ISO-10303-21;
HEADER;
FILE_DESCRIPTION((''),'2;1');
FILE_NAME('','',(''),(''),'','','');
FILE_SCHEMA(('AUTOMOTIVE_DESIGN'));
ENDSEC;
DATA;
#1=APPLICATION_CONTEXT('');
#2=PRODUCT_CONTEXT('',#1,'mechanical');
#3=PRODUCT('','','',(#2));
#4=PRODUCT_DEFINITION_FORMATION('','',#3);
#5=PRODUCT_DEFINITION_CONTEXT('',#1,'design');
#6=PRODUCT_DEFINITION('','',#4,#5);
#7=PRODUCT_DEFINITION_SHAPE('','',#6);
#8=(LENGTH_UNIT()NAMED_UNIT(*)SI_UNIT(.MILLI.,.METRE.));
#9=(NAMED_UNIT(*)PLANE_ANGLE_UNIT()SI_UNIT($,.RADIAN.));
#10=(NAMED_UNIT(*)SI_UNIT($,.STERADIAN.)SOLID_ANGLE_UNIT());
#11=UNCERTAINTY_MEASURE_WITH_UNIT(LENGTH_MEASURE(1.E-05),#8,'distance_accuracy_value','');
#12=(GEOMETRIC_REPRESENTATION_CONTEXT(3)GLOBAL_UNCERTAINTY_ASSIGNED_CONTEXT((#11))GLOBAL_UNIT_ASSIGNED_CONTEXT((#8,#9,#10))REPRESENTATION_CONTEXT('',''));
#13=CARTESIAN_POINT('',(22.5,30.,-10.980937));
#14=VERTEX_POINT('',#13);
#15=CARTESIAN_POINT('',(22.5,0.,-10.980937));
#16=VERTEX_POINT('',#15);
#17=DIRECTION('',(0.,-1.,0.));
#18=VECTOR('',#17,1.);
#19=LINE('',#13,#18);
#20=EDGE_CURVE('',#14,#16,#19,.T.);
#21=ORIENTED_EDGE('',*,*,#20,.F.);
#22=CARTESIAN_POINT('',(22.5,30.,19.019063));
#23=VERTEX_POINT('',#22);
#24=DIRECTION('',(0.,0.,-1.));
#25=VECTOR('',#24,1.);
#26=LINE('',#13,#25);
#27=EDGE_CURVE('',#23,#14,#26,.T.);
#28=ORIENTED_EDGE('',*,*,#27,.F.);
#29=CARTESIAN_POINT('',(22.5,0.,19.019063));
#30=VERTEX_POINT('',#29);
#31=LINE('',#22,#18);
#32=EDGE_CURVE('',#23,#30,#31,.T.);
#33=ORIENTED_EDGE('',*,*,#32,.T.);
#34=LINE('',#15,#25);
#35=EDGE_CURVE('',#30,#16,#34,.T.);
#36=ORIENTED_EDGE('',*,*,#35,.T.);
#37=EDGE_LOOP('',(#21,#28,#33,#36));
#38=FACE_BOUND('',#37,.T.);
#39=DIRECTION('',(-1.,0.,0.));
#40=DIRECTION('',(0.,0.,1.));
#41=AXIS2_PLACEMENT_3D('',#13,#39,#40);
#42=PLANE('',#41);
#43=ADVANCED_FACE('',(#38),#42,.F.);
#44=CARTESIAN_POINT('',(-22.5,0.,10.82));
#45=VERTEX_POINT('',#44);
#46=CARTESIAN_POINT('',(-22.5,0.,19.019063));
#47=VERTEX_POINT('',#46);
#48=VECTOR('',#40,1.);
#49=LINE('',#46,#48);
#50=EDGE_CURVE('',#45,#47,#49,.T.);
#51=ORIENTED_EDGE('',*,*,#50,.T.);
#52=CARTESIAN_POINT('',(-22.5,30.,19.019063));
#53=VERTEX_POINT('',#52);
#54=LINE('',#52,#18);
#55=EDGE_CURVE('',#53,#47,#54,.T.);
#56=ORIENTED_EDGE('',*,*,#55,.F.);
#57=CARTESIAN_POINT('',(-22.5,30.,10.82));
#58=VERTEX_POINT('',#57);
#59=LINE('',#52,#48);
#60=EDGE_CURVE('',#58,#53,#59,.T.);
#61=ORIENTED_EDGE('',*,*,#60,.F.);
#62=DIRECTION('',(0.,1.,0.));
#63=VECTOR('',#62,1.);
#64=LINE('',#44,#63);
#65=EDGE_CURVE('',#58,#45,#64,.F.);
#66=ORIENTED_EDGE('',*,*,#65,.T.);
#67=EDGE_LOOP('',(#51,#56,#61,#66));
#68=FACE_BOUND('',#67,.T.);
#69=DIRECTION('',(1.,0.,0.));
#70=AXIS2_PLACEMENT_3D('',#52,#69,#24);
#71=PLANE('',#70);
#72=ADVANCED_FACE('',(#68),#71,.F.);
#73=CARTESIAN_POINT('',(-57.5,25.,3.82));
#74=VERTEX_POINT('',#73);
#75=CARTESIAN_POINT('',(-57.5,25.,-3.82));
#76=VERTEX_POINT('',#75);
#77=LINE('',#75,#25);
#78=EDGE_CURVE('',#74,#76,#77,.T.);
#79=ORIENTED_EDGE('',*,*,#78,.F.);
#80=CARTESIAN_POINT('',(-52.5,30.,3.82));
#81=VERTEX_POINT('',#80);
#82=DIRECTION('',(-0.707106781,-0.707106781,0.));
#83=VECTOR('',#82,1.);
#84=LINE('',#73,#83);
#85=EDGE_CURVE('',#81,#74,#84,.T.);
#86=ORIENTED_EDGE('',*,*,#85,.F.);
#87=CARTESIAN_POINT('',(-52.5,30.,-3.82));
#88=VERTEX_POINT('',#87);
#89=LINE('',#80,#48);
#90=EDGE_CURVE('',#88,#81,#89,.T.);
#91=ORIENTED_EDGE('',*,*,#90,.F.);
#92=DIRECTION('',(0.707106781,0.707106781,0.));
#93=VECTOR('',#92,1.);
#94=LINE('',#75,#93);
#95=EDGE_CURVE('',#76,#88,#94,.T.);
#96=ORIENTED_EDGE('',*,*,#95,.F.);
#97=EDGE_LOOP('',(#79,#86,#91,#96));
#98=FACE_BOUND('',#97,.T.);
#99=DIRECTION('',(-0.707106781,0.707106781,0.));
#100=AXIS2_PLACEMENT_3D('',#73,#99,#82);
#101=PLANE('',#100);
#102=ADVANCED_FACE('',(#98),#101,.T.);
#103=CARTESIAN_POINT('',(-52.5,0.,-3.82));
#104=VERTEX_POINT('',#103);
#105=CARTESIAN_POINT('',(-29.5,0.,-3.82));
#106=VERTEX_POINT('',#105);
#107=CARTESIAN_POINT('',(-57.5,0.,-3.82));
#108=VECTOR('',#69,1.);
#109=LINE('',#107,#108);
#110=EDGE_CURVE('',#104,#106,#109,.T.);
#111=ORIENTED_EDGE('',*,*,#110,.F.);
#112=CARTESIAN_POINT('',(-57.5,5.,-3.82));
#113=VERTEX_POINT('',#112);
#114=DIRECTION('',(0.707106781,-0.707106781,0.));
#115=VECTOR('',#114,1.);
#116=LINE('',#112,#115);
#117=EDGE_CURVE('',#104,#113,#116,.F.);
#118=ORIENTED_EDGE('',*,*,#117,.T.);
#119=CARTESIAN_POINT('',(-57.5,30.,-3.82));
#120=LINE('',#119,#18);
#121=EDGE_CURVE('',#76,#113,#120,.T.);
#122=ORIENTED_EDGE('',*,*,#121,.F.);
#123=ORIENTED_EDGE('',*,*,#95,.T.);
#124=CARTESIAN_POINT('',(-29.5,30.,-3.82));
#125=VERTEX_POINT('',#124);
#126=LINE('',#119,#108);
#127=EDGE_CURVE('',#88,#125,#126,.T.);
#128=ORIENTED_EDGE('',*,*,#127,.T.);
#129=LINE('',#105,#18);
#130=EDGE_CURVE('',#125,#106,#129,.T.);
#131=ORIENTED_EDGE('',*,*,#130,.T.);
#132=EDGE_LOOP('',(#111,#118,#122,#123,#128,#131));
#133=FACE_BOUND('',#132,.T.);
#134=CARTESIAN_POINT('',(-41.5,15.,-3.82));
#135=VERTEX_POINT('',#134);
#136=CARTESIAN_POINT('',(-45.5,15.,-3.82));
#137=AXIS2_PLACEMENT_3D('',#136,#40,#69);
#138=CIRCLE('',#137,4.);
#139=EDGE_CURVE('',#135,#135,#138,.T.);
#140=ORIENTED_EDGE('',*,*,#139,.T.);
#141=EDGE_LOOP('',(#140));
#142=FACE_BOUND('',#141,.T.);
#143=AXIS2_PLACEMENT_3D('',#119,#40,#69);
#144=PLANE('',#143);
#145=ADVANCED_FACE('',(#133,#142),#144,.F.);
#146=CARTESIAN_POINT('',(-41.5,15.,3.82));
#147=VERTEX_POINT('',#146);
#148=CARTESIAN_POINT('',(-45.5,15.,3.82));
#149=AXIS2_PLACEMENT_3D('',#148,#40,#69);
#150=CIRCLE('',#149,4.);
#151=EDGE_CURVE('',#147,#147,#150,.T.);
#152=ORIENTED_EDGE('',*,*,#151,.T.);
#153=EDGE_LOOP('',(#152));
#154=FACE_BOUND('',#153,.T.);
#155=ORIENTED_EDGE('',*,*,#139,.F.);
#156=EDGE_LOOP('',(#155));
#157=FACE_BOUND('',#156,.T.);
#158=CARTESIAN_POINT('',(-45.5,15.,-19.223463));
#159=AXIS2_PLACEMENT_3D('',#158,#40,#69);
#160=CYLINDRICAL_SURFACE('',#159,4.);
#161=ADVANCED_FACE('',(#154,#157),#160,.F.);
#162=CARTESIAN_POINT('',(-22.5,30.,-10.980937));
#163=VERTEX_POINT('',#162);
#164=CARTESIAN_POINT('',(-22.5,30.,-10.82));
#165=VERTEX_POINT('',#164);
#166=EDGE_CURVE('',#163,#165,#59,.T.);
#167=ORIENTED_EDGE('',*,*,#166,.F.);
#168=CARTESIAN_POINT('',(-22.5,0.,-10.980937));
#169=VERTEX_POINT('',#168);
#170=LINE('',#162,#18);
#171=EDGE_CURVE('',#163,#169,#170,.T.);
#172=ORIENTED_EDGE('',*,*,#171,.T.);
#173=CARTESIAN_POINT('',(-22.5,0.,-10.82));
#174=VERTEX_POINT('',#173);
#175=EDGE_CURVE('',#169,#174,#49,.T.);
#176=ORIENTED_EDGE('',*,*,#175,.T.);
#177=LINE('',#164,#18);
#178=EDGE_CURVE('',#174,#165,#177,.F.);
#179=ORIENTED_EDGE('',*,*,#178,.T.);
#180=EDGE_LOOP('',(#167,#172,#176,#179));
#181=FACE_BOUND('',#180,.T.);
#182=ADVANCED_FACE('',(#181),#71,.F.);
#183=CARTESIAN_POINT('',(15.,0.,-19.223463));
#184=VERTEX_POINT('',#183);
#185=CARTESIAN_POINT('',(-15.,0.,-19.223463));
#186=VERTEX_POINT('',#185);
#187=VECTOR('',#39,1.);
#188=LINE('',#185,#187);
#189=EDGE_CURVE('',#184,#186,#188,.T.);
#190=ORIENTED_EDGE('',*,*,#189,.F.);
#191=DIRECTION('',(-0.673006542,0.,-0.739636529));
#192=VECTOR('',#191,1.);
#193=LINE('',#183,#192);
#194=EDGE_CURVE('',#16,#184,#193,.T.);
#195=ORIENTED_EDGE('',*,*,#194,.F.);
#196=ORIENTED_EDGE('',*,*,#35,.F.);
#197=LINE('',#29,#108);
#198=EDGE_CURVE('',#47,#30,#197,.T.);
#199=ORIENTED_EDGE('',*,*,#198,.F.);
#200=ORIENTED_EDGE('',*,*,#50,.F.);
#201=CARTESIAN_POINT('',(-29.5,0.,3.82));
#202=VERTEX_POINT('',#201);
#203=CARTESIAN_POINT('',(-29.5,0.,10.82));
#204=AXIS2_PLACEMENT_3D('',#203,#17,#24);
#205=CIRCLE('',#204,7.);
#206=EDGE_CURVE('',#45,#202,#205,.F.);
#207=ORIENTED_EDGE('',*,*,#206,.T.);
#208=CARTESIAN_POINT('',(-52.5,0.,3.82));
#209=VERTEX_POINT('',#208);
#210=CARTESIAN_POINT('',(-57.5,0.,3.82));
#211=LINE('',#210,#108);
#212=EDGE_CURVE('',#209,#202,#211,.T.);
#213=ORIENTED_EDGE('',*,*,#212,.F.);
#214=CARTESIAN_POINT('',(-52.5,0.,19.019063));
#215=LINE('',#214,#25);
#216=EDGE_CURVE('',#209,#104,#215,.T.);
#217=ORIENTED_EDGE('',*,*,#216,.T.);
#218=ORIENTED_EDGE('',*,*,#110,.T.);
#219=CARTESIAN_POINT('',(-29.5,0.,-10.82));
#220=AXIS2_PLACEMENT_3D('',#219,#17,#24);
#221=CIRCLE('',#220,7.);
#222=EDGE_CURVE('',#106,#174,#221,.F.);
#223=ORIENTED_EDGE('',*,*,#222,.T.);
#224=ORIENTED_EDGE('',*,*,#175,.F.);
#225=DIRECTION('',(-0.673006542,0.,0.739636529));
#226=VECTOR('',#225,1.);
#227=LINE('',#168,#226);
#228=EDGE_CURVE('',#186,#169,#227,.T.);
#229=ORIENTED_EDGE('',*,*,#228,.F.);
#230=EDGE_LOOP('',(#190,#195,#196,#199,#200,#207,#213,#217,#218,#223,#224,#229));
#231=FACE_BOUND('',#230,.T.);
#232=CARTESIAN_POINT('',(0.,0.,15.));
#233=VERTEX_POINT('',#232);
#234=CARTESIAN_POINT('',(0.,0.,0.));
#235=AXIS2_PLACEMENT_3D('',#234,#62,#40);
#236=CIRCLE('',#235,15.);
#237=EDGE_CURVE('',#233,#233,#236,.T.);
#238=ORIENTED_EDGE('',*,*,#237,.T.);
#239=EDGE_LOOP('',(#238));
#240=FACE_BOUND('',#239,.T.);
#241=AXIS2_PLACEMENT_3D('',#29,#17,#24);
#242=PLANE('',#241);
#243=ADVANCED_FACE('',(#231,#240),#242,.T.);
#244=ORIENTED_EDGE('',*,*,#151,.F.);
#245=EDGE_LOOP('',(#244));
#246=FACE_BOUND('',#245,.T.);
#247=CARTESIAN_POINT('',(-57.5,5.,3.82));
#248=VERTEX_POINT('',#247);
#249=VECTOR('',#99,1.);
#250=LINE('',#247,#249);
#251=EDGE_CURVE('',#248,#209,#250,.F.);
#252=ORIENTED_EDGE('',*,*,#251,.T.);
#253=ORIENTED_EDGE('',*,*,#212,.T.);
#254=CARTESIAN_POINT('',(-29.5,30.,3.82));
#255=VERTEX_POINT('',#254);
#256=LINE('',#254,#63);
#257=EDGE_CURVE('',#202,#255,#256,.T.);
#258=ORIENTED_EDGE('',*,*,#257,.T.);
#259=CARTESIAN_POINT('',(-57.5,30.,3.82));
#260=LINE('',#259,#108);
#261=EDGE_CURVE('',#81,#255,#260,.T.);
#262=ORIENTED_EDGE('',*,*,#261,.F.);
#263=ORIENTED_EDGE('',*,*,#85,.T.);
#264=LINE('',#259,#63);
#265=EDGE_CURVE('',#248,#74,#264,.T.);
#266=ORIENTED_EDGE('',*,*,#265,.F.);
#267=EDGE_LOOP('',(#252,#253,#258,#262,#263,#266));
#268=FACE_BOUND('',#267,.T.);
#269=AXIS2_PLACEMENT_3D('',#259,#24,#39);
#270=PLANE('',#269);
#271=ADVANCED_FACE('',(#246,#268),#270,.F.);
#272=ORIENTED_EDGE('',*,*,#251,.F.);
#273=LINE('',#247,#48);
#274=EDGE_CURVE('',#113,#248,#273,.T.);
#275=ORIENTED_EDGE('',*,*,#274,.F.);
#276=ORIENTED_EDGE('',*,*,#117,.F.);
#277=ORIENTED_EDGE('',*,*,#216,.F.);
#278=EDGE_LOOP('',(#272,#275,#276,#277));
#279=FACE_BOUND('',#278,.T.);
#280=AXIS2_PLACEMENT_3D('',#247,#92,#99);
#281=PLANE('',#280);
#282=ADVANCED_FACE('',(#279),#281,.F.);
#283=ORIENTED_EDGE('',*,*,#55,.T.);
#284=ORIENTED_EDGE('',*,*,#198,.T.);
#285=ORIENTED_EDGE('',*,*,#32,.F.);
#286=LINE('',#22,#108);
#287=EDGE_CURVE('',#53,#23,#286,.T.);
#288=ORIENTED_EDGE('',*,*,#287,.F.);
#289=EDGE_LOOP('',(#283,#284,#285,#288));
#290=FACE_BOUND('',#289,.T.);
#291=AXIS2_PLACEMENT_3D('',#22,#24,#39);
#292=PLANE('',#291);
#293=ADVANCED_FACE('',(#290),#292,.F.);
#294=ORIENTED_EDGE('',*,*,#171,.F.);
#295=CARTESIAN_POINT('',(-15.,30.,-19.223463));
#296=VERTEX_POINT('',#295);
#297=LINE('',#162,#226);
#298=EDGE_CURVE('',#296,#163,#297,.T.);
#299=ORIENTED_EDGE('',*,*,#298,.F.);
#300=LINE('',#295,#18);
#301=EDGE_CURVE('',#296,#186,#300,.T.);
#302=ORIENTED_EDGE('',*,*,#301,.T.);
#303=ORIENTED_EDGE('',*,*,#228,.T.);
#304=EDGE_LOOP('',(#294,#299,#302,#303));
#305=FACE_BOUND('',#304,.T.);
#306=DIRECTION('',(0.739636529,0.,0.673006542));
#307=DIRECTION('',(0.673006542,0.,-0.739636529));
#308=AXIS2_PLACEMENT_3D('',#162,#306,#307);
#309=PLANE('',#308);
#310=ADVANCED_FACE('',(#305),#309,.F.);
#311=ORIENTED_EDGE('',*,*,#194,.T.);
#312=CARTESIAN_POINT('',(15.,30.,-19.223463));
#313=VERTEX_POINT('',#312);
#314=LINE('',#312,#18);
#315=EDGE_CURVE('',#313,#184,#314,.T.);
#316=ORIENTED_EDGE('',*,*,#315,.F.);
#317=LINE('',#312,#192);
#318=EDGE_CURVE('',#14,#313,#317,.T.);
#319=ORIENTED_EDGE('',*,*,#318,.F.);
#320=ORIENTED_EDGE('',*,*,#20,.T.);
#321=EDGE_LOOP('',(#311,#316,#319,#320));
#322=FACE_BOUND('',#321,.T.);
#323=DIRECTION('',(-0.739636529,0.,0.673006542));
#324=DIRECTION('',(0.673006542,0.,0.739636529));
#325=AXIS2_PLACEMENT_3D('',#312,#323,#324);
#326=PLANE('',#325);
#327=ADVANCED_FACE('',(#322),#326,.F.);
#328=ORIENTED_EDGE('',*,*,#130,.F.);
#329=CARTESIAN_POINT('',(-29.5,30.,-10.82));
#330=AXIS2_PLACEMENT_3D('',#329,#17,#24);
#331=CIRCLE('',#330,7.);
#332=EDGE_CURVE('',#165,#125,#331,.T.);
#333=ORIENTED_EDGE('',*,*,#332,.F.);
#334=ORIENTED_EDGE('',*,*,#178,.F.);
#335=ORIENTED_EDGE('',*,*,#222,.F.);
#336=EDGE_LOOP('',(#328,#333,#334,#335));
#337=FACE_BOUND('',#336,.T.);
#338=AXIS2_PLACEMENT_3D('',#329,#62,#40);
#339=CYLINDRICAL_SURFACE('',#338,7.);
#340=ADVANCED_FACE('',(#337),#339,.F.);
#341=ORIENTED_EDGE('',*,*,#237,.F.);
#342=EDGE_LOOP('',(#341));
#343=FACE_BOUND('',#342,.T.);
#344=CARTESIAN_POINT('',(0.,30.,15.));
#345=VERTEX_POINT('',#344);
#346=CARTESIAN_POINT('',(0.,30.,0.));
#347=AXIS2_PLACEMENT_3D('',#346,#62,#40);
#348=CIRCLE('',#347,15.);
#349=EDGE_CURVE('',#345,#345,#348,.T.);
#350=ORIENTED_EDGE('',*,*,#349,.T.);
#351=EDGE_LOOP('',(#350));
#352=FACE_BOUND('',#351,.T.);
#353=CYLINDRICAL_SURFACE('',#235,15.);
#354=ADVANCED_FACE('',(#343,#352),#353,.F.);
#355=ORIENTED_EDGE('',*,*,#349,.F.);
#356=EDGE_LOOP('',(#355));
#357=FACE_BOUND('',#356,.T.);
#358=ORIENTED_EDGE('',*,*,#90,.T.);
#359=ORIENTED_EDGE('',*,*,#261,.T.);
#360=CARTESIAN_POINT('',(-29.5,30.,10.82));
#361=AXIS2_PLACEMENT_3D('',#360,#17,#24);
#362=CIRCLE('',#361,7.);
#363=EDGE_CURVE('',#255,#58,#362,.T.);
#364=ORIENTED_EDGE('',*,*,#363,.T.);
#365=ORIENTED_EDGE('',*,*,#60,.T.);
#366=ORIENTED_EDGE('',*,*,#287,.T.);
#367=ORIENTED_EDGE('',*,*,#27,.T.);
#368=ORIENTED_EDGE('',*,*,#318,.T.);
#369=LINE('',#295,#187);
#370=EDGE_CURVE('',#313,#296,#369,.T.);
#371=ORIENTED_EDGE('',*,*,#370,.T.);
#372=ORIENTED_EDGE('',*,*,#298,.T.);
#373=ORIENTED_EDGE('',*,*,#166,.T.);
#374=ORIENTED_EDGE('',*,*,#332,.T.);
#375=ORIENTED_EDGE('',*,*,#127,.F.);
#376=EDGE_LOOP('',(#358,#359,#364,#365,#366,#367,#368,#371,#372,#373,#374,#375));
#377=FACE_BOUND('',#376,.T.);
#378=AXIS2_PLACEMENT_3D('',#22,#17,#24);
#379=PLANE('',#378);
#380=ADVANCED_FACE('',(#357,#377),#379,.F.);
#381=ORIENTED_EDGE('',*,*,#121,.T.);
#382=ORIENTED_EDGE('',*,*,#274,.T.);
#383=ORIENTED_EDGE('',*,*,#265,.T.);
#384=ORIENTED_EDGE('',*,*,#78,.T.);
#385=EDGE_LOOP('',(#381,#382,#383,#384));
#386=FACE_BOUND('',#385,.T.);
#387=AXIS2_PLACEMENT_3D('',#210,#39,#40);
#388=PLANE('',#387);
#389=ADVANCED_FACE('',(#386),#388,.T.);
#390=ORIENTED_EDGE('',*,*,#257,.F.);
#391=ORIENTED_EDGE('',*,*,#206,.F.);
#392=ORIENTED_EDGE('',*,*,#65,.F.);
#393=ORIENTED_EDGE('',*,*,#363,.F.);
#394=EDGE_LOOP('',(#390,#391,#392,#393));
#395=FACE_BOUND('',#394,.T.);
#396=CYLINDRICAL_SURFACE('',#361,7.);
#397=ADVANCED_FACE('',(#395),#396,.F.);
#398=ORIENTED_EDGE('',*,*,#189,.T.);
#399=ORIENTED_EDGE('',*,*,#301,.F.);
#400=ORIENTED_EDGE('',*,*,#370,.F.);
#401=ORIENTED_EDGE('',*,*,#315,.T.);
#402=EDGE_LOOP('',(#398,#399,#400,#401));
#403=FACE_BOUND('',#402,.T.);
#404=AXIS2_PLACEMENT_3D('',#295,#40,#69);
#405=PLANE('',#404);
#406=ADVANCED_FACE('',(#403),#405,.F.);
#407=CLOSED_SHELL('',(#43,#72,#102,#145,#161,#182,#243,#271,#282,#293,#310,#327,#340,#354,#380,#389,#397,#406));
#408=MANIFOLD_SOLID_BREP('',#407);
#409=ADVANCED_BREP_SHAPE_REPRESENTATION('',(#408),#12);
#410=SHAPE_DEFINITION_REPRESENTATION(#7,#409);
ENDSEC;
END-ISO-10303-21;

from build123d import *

# Parameters (mm, degrees)
EXTRUDE_1_DEPTH     = 30
SKETCH_2_R          = 15
CUT_EXTRUDE_2_DEPTH = 43.140141425
SKETCH_3_W          = 7.64
SKETCH_3_H          = 30
EXTRUDE_3_DEPTH     = 35
CHAMFER_1_SIZE      = 5
SKETCH_5_R          = 4
CUT_EXTRUDE_4_DEPTH = 69.827691917
FILLET_2_R          = 7
FILLET_3_R          = 7


with BuildPart() as part:
    # Эскиз1 → Вытянуть1 (new body)
    with BuildSketch(Plane(origin=(0, 0, 0), x_dir=(1, 0, 0), z_dir=(0, 1, 0))):
        Polygon((22.5, -19.019063342), (-22.5, -19.019063342), (-22.5, 10.980936658), (-15, 19.22346273), (15, 19.22346273), (22.5, 10.980936658), align=None)
    extrude(amount=EXTRUDE_1_DEPTH)

    # Эскиз2 → Вытянуть2 (cut, through all)
    with BuildSketch(Plane(origin=(0, 30, 0), x_dir=(1, 0, 0), z_dir=(0, 1, 0))):
        with Locations(Location((0, 0, 0), (0, 0, 270))):
            Circle(SKETCH_2_R)
    extrude(amount=-CUT_EXTRUDE_2_DEPTH, mode=Mode.SUBTRACT)

    # Эскиз3 → Вытянуть3 (add)
    with BuildSketch(Plane.ZY.offset(22.5)):
        with Locations((0, 15)):
            Rectangle(SKETCH_3_W, SKETCH_3_H)
    extrude(amount=EXTRUDE_3_DEPTH)

    # Фаска1
    chamfer_1_edges = [part.edges().sort_by_distance(p)[0] for p in [
        (-57.5, 0, 0),
        (-57.5, 30, 0),
    ]]
    chamfer(chamfer_1_edges, length=CHAMFER_1_SIZE)

    # Эскиз5 → Вытянуть4 (cut, through all)
    with BuildSketch(Plane.XY.offset(3.82)):
        with Locations((-45.5, 15)):
            Circle(SKETCH_5_R)
    extrude(amount=-CUT_EXTRUDE_4_DEPTH, mode=Mode.SUBTRACT)

    # Скругление2
    fillet_2_edges = [part.edges().sort_by_distance(p)[0] for p in [
        (-22.5, 15, -3.82),
    ]]
    fillet(fillet_2_edges, radius=FILLET_2_R)

    # Скругление3
    fillet_3_edges = [part.edges().sort_by_distance(p)[0] for p in [
        (-22.5, 15, 3.82),
    ]]
    fillet(fillet_3_edges, radius=FILLET_3_R)


solid = part.part
